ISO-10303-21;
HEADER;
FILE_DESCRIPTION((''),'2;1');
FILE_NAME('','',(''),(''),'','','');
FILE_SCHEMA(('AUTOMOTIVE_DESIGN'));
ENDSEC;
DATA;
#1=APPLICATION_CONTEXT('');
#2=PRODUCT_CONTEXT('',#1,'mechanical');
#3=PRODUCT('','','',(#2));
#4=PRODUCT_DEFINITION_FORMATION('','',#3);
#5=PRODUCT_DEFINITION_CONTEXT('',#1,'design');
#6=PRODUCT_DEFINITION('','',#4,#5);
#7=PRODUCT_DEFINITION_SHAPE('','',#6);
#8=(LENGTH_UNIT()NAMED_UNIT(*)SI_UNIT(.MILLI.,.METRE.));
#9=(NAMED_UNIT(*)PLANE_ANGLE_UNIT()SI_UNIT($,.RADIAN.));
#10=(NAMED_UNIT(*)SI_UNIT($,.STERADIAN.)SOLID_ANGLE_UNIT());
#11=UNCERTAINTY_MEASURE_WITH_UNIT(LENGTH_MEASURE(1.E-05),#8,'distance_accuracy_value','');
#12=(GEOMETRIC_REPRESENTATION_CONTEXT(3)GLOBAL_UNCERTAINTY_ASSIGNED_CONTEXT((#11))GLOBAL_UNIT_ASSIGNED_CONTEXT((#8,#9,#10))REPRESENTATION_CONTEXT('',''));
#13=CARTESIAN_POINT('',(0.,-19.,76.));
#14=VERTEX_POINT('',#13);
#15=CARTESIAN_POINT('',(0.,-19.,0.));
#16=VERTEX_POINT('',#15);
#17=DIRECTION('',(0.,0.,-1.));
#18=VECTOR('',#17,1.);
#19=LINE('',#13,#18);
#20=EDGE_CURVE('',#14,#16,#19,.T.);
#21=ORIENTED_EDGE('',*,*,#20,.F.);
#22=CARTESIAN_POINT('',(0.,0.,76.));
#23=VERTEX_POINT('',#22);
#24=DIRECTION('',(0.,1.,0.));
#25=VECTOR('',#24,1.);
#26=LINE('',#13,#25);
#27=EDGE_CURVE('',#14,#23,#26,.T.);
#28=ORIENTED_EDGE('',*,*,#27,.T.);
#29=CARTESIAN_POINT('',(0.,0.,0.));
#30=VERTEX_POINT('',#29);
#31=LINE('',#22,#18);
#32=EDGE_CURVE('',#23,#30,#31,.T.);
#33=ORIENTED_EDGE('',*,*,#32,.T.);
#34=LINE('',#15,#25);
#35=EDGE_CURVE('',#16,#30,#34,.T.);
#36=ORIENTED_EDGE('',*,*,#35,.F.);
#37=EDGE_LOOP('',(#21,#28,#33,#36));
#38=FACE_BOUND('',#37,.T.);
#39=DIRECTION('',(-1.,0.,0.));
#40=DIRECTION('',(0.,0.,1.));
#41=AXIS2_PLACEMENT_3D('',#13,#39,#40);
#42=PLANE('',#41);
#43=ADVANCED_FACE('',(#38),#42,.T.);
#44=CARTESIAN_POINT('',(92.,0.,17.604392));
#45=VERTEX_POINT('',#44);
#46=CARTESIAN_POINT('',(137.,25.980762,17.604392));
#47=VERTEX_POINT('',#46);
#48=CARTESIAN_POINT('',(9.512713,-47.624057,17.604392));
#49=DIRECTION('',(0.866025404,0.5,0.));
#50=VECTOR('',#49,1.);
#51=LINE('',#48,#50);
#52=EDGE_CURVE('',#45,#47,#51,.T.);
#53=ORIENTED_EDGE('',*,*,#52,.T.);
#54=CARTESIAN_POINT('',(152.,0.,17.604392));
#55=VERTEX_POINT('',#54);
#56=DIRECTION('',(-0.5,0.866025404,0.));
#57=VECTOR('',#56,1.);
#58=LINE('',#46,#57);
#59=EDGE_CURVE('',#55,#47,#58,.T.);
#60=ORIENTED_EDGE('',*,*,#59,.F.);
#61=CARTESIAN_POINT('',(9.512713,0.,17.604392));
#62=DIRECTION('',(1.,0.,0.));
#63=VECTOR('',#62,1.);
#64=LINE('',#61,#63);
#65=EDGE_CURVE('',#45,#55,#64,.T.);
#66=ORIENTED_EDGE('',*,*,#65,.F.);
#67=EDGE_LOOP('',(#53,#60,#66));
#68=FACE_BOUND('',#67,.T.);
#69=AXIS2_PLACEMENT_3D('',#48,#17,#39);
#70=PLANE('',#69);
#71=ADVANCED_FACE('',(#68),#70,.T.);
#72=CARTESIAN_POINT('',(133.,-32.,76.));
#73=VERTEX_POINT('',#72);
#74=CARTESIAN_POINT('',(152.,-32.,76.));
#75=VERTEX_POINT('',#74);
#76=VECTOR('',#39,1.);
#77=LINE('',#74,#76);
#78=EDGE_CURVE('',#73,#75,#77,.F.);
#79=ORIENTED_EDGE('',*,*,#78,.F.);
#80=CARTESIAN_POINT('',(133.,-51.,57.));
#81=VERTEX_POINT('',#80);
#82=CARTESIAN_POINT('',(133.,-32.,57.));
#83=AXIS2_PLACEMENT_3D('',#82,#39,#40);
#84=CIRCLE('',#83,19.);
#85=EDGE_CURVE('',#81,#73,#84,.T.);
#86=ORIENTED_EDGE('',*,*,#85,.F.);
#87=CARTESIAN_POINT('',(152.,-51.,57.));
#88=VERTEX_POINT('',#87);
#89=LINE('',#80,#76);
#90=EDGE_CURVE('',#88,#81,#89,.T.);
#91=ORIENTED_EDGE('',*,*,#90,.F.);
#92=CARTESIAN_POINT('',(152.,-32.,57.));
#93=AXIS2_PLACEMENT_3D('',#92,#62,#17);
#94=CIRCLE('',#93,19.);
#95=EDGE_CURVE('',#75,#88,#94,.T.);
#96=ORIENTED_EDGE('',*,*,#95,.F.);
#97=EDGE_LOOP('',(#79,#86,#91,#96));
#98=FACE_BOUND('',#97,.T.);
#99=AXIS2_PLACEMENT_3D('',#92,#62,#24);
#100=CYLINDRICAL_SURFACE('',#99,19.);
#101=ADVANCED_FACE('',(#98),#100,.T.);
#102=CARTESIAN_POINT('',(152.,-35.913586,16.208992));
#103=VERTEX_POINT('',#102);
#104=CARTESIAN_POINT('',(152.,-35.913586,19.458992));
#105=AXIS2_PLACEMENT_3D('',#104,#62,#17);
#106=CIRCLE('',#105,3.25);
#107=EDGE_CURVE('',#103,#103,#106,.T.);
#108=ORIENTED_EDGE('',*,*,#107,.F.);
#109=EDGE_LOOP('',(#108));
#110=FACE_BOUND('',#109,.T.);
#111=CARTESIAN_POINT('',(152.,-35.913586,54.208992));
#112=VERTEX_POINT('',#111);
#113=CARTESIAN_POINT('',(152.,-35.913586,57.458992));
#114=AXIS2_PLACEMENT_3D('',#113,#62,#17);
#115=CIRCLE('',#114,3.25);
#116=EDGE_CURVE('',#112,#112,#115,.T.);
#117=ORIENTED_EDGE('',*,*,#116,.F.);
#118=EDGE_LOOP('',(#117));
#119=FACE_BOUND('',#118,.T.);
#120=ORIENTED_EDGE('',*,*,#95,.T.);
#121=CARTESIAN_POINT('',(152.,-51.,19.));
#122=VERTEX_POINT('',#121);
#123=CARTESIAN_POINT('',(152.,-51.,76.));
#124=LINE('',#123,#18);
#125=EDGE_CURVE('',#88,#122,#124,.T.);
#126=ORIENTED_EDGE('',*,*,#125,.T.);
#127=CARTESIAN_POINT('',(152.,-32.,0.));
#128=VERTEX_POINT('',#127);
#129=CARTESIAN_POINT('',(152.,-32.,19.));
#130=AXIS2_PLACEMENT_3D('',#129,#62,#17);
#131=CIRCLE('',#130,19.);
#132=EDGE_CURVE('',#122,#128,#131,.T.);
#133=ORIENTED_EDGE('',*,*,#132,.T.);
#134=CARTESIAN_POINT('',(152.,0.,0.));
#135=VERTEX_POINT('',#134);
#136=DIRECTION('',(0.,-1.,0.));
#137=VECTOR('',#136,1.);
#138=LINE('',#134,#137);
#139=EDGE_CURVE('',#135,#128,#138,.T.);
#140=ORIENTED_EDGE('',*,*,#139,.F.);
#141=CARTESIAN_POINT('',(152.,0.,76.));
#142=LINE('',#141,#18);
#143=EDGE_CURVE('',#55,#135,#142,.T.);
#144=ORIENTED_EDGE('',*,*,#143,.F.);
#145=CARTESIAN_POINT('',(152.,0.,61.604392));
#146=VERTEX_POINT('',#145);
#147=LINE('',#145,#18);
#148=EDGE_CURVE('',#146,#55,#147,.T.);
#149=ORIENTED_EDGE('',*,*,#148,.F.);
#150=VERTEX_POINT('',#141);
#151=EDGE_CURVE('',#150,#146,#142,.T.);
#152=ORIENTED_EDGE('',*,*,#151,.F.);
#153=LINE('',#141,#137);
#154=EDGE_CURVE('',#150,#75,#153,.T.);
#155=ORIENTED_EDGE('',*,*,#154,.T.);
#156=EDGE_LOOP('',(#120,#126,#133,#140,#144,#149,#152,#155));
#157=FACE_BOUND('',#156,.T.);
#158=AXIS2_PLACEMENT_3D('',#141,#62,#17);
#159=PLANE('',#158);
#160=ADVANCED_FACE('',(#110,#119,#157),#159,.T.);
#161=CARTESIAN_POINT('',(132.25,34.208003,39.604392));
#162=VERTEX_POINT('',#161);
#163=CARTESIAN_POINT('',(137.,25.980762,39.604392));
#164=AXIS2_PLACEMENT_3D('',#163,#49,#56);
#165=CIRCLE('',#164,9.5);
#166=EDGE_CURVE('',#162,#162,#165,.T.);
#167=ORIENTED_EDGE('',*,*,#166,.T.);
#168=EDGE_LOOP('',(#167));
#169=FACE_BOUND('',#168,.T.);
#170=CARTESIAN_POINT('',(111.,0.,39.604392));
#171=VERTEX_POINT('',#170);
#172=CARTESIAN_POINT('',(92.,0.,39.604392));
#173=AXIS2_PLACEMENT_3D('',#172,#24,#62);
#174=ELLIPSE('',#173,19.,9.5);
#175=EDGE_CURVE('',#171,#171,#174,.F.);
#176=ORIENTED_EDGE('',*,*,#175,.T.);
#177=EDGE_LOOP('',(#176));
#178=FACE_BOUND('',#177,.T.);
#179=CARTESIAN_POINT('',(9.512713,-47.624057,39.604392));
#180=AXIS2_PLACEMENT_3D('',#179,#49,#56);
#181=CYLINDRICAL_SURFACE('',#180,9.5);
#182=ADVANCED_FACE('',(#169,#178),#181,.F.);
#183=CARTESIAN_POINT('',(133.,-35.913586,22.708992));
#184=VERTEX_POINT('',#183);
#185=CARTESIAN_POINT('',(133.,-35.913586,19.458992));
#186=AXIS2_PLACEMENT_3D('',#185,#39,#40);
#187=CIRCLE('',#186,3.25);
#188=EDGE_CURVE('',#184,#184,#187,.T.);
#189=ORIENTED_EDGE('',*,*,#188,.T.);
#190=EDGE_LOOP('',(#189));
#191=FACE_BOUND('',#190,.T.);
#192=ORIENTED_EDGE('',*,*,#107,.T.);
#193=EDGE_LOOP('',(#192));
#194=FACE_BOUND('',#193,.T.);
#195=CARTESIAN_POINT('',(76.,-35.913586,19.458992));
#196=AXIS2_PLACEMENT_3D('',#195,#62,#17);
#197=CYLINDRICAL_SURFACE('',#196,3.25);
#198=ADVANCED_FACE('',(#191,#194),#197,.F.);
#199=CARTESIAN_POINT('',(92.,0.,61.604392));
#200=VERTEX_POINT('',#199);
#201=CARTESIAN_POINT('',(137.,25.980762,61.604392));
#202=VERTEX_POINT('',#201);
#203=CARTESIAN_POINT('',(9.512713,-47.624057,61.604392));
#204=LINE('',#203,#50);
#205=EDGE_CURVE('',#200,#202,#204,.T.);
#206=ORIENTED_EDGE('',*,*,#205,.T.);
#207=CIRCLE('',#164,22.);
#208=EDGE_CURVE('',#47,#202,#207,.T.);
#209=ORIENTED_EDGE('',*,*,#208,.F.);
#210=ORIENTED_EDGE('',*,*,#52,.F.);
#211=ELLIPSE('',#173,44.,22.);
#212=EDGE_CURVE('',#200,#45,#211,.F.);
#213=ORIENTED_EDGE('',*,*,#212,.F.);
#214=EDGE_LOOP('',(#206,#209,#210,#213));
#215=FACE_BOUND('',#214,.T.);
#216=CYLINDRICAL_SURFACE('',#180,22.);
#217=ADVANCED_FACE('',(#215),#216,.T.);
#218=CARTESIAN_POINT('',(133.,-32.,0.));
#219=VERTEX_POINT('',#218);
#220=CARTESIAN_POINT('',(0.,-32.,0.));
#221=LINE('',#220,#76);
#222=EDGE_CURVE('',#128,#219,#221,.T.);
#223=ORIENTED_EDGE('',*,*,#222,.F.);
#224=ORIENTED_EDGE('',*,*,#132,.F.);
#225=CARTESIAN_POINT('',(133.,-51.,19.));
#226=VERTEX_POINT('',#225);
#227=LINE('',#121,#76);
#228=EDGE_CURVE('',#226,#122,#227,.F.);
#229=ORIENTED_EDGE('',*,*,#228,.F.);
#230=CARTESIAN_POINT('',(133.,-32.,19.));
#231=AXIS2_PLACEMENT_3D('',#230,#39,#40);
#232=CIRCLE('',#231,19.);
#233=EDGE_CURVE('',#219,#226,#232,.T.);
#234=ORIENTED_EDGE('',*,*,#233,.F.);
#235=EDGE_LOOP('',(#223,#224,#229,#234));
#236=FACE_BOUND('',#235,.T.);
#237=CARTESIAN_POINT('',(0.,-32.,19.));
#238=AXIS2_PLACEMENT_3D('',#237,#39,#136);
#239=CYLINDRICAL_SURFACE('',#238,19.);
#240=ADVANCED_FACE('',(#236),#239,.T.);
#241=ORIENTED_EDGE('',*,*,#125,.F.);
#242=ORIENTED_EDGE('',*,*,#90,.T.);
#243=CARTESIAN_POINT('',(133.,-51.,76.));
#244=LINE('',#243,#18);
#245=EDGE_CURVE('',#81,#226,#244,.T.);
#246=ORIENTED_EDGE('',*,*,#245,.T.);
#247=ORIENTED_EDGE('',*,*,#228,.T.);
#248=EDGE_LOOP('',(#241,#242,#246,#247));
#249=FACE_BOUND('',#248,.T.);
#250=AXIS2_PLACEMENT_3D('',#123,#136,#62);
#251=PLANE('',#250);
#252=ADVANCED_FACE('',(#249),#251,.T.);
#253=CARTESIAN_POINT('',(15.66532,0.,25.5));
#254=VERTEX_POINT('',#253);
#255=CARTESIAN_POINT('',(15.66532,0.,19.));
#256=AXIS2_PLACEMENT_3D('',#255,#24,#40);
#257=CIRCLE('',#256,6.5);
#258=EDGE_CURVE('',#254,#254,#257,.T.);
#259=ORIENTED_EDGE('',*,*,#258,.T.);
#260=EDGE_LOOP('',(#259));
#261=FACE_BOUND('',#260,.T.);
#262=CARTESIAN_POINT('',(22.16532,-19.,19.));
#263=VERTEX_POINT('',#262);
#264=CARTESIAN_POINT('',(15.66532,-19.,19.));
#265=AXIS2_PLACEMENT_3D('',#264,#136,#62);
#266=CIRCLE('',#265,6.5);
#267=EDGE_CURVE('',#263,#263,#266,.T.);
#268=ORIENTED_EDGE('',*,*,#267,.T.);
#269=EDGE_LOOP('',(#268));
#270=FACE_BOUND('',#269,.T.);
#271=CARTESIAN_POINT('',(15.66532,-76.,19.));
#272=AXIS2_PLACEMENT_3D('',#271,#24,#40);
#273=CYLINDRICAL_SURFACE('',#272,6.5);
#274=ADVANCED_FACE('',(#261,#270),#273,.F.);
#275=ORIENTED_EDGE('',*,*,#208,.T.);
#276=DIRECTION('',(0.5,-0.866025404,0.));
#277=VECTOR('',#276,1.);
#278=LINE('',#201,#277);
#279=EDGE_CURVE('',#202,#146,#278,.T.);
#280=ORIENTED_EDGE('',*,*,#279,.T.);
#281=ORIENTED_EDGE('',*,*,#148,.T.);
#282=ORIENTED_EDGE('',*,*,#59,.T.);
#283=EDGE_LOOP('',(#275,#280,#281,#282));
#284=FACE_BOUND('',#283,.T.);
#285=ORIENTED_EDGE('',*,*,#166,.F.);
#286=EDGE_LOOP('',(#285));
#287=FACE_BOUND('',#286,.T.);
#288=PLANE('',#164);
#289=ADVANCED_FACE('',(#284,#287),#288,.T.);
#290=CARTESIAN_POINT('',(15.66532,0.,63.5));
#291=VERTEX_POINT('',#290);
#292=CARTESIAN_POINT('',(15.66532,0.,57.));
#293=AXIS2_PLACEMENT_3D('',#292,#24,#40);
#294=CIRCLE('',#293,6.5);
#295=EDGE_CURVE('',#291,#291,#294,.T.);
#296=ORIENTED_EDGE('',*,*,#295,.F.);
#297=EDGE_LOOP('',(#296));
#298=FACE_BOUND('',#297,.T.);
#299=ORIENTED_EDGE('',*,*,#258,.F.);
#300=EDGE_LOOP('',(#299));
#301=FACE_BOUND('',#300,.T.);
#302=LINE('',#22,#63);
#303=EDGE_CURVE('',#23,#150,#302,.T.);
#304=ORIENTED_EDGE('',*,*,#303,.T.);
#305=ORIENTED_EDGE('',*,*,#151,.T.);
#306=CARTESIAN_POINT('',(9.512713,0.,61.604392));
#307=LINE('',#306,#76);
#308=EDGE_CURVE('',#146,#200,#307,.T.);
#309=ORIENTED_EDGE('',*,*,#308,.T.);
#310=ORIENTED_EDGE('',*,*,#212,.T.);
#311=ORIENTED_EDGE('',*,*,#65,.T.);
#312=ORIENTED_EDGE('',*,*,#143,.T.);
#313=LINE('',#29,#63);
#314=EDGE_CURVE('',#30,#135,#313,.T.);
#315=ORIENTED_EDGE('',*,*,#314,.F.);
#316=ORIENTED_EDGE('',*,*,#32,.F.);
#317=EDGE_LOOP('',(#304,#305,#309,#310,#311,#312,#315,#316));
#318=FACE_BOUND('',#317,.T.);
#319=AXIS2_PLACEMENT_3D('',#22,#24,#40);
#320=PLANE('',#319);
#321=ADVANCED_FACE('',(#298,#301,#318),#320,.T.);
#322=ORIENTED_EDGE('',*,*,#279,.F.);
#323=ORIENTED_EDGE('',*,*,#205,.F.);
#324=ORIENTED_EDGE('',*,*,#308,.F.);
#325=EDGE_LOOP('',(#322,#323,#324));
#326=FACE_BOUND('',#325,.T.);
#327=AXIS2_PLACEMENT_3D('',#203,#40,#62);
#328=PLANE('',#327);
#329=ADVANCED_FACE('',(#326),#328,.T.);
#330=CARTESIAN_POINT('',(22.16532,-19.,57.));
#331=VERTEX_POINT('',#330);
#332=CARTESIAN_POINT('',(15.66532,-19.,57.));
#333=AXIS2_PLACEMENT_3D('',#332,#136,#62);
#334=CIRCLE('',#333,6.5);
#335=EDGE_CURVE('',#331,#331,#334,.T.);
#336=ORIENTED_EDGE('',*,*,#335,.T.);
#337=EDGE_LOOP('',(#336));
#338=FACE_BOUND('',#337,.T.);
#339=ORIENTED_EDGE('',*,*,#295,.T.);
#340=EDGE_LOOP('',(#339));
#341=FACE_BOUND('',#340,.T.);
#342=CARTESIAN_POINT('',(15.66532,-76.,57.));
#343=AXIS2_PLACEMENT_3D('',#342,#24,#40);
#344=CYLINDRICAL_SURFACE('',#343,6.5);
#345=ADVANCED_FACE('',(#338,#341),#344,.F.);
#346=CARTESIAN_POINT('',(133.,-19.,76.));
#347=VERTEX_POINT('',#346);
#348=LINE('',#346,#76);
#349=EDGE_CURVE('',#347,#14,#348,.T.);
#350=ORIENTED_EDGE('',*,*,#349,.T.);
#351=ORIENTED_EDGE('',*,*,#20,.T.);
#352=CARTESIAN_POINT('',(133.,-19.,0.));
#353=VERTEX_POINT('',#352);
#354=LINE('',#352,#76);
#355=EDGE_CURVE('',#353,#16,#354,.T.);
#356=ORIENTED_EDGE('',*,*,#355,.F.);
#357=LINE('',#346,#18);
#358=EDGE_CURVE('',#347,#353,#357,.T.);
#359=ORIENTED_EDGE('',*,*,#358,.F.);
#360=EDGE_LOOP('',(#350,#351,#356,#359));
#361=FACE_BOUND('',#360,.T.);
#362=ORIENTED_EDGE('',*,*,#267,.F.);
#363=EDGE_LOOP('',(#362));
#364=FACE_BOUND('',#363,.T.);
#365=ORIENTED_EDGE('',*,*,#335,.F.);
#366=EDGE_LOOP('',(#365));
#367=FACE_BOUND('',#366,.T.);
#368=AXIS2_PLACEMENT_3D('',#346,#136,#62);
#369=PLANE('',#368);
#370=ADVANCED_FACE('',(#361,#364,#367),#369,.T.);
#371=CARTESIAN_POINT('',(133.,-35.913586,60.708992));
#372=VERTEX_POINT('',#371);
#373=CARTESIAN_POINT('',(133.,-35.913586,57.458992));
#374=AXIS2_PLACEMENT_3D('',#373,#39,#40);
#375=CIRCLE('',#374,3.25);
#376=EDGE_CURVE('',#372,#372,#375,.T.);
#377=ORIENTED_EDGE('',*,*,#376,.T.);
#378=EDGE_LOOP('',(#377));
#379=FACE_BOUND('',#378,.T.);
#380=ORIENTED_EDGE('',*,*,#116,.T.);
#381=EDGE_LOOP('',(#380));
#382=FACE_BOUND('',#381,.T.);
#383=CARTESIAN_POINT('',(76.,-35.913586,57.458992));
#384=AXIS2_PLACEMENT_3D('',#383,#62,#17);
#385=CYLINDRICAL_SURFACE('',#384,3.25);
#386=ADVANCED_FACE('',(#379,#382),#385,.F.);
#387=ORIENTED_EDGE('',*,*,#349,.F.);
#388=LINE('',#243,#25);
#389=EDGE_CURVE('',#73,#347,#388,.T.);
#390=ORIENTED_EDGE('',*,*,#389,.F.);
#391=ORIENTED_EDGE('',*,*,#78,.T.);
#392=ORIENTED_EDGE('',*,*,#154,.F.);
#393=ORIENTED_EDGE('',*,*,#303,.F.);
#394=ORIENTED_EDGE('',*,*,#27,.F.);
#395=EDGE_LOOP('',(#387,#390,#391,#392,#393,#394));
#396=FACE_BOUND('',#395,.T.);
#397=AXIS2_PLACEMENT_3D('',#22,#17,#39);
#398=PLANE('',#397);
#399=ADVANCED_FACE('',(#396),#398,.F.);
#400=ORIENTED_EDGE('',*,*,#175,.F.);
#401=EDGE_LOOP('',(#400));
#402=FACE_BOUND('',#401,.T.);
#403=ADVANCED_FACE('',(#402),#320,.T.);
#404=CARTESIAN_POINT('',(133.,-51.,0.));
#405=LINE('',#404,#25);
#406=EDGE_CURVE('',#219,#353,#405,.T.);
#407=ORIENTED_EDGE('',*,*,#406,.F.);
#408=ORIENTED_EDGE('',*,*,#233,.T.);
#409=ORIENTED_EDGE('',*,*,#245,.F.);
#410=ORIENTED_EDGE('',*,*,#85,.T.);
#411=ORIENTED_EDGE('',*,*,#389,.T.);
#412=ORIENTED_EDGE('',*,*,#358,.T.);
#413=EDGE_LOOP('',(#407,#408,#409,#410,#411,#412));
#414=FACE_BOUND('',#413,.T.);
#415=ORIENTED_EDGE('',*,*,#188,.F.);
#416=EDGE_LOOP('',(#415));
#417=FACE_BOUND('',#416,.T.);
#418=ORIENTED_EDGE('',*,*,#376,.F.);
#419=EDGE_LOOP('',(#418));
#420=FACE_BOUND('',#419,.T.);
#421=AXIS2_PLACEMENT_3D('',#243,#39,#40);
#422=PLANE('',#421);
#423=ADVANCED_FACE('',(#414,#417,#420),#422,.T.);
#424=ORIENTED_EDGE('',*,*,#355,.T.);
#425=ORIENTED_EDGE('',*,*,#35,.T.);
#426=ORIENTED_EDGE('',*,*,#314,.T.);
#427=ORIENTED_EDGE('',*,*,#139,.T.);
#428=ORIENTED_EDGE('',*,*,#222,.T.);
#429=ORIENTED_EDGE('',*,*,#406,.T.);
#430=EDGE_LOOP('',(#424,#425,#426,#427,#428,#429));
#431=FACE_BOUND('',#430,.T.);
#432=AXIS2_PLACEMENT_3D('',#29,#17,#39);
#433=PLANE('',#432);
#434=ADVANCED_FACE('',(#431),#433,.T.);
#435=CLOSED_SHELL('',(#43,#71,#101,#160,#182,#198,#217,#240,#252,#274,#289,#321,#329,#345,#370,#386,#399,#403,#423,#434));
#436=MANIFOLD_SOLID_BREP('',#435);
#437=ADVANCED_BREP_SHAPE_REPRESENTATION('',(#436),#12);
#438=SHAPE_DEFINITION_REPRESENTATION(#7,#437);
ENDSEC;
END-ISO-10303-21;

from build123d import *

# Parameters (mm, degrees)
EXTRUDE_1_DEPTH     = 76
EXTRUDE_2_REACH     = 182.051
SKETCH_2_R          = 9.5
SKETCH_3_R          = 3.25
CUT_EXTRUDE_1_DEPTH = 76
SKETCH_4_R          = 6.5
CUT_EXTRUDE_2_DEPTH = 76
FILLET_2_R          = 19


with BuildPart() as part:
    # 스케치1 → 보스-돌출1 (new body)
    with BuildSketch(Plane.XY):
        Polygon((0, 0), (152, 0), (152, -51), (133, -51), (133, -19), (0, -19), align=None)
    extrude(amount=EXTRUDE_1_DEPTH)

    # 보스-돌출2: up to this face of the body (flat: up to its plane)
    extrude_2_end = Plane(part.part.faces().sort_by_distance((76, 0, 38))[0])
    # 스케치2 → 보스-돌출2 (add, up to the picked face)
    with BuildSketch(Plane(origin=(114, 65.817930688, 0), x_dir=(0, 0, -1), z_dir=(0.8660254037844398, 0.499999999999998, 0)), mode=Mode.PRIVATE) as extrude_2_sk1:
        with BuildLine():
            Line((-61.604391893, -46), (-61.604391893, -76))
            Line((-61.604391893, -76), (-17.604391893, -76))
            Line((-17.604391893, -76), (-17.604391893, -46))
            ThreePointArc((-17.604391893, -46), (-39.604391893, -24), (-61.604391893, -46))
        make_face()
        with Locations(Location((-39.604391893, -46, 0), (0, 0, 90))):
            Circle(SKETCH_2_R, mode=Mode.SUBTRACT)
    extrude_2_tool1 = split(extrude(extrude_2_sk1.sketch, amount=-EXTRUDE_2_REACH, mode=Mode.PRIVATE), bisect_by=extrude_2_end, keep=Keep.BOTH, mode=Mode.PRIVATE)
    add(extrude_2_tool1.solids().sort_by(Axis((144.5, 12.990381, 60.923216), (-0.8660254037844398, -0.499999999999998, 0)))[0])

    # 스케치3 → 컷-돌출1 (cut)
    with BuildSketch(Plane(origin=(152, 0, 0), x_dir=(0, 0, -1), z_dir=(1, 0, 0))):
        with Locations((-57.45899172, -35.913585608)):
            Circle(SKETCH_3_R)
        with Locations((-19.45899172, -35.913585608)):
            Circle(SKETCH_3_R)
    extrude(amount=-CUT_EXTRUDE_1_DEPTH, mode=Mode.SUBTRACT)

    # 스케치4 → 컷-돌출2 (cut)
    with BuildSketch(Plane(origin=(0, 0, 0), x_dir=(1, 0, 0), z_dir=(0, 1, 0))):
        with Locations(Location((15.665320211, -57, 0), (0, 0, 270))):
            Circle(SKETCH_4_R)
        with Locations(Location((15.665320211, -19, 0), (0, 0, 270))):
            Circle(SKETCH_4_R)
    extrude(amount=-CUT_EXTRUDE_2_DEPTH, mode=Mode.SUBTRACT)

    # 필렛2
    fillet_2_edges = [part.edges().sort_by_distance(p)[0] for p in [
        (142.5, -51, 76),
        (142.5, -51, 0),
    ]]
    fillet(fillet_2_edges, radius=FILLET_2_R)


solid = part.part
